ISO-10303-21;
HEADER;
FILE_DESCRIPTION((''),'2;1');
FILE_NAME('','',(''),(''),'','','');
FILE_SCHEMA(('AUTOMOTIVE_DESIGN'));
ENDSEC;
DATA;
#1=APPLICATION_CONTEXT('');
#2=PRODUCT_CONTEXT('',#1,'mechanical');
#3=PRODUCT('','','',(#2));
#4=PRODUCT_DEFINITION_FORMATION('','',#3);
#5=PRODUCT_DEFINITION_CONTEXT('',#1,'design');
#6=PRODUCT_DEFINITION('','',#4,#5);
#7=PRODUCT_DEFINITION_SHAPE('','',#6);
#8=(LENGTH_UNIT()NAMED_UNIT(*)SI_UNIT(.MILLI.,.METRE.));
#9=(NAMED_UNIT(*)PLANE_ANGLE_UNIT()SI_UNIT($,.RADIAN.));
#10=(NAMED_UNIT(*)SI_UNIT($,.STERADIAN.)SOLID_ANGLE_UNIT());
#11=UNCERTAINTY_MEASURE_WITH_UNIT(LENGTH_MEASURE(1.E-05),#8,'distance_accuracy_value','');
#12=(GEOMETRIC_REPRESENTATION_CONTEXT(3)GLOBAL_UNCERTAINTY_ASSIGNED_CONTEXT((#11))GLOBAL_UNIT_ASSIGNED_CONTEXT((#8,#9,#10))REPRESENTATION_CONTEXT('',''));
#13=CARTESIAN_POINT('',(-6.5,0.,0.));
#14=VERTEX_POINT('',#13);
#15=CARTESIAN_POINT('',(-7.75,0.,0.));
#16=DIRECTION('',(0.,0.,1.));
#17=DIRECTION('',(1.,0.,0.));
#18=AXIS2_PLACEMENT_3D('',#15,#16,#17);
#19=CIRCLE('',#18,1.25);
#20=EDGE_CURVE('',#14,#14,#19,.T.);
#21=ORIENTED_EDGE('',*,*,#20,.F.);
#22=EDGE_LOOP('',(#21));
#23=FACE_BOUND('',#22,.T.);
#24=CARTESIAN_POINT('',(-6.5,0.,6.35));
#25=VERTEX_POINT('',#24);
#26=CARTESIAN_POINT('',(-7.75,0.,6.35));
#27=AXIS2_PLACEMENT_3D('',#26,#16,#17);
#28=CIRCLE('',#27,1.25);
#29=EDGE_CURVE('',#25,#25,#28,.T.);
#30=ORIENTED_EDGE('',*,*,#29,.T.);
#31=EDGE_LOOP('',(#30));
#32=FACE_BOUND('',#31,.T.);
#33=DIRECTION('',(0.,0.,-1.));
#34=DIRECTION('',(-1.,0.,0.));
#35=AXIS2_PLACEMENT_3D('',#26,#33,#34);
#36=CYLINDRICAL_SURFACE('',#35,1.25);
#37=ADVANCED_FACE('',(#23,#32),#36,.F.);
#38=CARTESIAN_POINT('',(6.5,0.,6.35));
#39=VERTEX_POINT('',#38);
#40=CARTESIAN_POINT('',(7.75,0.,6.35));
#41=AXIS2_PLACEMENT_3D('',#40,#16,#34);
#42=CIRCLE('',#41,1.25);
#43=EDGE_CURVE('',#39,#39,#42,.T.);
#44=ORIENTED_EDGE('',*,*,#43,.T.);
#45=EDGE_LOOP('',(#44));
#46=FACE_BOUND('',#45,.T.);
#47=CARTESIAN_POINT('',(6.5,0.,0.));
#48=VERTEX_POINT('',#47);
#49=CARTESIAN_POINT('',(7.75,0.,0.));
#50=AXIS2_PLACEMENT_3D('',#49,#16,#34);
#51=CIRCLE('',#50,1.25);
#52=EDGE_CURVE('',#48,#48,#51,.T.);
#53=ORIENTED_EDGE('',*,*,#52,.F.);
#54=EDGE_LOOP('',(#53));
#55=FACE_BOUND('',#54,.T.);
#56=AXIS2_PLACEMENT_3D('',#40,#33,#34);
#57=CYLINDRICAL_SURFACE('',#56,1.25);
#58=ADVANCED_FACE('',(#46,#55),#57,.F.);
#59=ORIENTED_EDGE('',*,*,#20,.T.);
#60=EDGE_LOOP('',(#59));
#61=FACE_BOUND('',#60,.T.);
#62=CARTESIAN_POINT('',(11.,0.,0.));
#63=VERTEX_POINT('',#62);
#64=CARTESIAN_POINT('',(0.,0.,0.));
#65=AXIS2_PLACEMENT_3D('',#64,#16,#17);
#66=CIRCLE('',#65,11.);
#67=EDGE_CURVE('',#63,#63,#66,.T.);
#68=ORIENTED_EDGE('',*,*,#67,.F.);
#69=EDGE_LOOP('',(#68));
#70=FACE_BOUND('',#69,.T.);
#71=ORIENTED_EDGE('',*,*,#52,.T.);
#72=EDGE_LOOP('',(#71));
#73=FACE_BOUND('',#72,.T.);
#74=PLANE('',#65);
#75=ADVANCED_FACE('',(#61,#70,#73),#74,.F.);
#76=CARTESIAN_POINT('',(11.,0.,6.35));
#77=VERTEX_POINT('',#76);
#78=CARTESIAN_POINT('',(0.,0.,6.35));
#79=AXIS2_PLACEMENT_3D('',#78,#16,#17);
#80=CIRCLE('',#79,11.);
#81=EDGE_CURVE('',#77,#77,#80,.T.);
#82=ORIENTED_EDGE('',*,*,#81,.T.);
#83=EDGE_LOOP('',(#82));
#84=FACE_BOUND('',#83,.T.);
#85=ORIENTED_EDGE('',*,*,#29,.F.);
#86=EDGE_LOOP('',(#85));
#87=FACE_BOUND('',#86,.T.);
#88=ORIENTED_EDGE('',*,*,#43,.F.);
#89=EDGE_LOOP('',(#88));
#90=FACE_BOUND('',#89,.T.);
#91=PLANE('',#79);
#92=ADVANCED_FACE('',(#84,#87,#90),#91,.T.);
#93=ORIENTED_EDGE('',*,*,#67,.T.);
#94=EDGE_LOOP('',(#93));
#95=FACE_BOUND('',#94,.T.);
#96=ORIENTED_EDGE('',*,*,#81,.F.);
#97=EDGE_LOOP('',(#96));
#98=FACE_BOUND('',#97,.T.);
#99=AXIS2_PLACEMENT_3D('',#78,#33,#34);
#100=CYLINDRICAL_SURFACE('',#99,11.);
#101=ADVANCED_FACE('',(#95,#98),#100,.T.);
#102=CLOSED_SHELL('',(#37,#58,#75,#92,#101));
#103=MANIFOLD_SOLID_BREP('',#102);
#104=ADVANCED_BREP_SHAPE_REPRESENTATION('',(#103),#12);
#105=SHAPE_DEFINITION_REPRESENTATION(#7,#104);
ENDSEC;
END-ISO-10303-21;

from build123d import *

# Parameters (mm, degrees)
SKETCH1_R           = 11
SKETCH1_R_2         = 1.25
BOSS_EXTRUDE1_DEPTH = 6.35


with BuildPart() as part:
    # Sketch1 → Boss-Extrude1 (new body)
    with BuildSketch(Plane.XY):
        Circle(SKETCH1_R)
        with Locations((-7.75, 0)):
            Circle(SKETCH1_R_2, mode=Mode.SUBTRACT)
        with Locations((7.75, 0)):
            Circle(SKETCH1_R_2, mode=Mode.SUBTRACT)
    extrude(amount=BOSS_EXTRUDE1_DEPTH)


solid = part.part
